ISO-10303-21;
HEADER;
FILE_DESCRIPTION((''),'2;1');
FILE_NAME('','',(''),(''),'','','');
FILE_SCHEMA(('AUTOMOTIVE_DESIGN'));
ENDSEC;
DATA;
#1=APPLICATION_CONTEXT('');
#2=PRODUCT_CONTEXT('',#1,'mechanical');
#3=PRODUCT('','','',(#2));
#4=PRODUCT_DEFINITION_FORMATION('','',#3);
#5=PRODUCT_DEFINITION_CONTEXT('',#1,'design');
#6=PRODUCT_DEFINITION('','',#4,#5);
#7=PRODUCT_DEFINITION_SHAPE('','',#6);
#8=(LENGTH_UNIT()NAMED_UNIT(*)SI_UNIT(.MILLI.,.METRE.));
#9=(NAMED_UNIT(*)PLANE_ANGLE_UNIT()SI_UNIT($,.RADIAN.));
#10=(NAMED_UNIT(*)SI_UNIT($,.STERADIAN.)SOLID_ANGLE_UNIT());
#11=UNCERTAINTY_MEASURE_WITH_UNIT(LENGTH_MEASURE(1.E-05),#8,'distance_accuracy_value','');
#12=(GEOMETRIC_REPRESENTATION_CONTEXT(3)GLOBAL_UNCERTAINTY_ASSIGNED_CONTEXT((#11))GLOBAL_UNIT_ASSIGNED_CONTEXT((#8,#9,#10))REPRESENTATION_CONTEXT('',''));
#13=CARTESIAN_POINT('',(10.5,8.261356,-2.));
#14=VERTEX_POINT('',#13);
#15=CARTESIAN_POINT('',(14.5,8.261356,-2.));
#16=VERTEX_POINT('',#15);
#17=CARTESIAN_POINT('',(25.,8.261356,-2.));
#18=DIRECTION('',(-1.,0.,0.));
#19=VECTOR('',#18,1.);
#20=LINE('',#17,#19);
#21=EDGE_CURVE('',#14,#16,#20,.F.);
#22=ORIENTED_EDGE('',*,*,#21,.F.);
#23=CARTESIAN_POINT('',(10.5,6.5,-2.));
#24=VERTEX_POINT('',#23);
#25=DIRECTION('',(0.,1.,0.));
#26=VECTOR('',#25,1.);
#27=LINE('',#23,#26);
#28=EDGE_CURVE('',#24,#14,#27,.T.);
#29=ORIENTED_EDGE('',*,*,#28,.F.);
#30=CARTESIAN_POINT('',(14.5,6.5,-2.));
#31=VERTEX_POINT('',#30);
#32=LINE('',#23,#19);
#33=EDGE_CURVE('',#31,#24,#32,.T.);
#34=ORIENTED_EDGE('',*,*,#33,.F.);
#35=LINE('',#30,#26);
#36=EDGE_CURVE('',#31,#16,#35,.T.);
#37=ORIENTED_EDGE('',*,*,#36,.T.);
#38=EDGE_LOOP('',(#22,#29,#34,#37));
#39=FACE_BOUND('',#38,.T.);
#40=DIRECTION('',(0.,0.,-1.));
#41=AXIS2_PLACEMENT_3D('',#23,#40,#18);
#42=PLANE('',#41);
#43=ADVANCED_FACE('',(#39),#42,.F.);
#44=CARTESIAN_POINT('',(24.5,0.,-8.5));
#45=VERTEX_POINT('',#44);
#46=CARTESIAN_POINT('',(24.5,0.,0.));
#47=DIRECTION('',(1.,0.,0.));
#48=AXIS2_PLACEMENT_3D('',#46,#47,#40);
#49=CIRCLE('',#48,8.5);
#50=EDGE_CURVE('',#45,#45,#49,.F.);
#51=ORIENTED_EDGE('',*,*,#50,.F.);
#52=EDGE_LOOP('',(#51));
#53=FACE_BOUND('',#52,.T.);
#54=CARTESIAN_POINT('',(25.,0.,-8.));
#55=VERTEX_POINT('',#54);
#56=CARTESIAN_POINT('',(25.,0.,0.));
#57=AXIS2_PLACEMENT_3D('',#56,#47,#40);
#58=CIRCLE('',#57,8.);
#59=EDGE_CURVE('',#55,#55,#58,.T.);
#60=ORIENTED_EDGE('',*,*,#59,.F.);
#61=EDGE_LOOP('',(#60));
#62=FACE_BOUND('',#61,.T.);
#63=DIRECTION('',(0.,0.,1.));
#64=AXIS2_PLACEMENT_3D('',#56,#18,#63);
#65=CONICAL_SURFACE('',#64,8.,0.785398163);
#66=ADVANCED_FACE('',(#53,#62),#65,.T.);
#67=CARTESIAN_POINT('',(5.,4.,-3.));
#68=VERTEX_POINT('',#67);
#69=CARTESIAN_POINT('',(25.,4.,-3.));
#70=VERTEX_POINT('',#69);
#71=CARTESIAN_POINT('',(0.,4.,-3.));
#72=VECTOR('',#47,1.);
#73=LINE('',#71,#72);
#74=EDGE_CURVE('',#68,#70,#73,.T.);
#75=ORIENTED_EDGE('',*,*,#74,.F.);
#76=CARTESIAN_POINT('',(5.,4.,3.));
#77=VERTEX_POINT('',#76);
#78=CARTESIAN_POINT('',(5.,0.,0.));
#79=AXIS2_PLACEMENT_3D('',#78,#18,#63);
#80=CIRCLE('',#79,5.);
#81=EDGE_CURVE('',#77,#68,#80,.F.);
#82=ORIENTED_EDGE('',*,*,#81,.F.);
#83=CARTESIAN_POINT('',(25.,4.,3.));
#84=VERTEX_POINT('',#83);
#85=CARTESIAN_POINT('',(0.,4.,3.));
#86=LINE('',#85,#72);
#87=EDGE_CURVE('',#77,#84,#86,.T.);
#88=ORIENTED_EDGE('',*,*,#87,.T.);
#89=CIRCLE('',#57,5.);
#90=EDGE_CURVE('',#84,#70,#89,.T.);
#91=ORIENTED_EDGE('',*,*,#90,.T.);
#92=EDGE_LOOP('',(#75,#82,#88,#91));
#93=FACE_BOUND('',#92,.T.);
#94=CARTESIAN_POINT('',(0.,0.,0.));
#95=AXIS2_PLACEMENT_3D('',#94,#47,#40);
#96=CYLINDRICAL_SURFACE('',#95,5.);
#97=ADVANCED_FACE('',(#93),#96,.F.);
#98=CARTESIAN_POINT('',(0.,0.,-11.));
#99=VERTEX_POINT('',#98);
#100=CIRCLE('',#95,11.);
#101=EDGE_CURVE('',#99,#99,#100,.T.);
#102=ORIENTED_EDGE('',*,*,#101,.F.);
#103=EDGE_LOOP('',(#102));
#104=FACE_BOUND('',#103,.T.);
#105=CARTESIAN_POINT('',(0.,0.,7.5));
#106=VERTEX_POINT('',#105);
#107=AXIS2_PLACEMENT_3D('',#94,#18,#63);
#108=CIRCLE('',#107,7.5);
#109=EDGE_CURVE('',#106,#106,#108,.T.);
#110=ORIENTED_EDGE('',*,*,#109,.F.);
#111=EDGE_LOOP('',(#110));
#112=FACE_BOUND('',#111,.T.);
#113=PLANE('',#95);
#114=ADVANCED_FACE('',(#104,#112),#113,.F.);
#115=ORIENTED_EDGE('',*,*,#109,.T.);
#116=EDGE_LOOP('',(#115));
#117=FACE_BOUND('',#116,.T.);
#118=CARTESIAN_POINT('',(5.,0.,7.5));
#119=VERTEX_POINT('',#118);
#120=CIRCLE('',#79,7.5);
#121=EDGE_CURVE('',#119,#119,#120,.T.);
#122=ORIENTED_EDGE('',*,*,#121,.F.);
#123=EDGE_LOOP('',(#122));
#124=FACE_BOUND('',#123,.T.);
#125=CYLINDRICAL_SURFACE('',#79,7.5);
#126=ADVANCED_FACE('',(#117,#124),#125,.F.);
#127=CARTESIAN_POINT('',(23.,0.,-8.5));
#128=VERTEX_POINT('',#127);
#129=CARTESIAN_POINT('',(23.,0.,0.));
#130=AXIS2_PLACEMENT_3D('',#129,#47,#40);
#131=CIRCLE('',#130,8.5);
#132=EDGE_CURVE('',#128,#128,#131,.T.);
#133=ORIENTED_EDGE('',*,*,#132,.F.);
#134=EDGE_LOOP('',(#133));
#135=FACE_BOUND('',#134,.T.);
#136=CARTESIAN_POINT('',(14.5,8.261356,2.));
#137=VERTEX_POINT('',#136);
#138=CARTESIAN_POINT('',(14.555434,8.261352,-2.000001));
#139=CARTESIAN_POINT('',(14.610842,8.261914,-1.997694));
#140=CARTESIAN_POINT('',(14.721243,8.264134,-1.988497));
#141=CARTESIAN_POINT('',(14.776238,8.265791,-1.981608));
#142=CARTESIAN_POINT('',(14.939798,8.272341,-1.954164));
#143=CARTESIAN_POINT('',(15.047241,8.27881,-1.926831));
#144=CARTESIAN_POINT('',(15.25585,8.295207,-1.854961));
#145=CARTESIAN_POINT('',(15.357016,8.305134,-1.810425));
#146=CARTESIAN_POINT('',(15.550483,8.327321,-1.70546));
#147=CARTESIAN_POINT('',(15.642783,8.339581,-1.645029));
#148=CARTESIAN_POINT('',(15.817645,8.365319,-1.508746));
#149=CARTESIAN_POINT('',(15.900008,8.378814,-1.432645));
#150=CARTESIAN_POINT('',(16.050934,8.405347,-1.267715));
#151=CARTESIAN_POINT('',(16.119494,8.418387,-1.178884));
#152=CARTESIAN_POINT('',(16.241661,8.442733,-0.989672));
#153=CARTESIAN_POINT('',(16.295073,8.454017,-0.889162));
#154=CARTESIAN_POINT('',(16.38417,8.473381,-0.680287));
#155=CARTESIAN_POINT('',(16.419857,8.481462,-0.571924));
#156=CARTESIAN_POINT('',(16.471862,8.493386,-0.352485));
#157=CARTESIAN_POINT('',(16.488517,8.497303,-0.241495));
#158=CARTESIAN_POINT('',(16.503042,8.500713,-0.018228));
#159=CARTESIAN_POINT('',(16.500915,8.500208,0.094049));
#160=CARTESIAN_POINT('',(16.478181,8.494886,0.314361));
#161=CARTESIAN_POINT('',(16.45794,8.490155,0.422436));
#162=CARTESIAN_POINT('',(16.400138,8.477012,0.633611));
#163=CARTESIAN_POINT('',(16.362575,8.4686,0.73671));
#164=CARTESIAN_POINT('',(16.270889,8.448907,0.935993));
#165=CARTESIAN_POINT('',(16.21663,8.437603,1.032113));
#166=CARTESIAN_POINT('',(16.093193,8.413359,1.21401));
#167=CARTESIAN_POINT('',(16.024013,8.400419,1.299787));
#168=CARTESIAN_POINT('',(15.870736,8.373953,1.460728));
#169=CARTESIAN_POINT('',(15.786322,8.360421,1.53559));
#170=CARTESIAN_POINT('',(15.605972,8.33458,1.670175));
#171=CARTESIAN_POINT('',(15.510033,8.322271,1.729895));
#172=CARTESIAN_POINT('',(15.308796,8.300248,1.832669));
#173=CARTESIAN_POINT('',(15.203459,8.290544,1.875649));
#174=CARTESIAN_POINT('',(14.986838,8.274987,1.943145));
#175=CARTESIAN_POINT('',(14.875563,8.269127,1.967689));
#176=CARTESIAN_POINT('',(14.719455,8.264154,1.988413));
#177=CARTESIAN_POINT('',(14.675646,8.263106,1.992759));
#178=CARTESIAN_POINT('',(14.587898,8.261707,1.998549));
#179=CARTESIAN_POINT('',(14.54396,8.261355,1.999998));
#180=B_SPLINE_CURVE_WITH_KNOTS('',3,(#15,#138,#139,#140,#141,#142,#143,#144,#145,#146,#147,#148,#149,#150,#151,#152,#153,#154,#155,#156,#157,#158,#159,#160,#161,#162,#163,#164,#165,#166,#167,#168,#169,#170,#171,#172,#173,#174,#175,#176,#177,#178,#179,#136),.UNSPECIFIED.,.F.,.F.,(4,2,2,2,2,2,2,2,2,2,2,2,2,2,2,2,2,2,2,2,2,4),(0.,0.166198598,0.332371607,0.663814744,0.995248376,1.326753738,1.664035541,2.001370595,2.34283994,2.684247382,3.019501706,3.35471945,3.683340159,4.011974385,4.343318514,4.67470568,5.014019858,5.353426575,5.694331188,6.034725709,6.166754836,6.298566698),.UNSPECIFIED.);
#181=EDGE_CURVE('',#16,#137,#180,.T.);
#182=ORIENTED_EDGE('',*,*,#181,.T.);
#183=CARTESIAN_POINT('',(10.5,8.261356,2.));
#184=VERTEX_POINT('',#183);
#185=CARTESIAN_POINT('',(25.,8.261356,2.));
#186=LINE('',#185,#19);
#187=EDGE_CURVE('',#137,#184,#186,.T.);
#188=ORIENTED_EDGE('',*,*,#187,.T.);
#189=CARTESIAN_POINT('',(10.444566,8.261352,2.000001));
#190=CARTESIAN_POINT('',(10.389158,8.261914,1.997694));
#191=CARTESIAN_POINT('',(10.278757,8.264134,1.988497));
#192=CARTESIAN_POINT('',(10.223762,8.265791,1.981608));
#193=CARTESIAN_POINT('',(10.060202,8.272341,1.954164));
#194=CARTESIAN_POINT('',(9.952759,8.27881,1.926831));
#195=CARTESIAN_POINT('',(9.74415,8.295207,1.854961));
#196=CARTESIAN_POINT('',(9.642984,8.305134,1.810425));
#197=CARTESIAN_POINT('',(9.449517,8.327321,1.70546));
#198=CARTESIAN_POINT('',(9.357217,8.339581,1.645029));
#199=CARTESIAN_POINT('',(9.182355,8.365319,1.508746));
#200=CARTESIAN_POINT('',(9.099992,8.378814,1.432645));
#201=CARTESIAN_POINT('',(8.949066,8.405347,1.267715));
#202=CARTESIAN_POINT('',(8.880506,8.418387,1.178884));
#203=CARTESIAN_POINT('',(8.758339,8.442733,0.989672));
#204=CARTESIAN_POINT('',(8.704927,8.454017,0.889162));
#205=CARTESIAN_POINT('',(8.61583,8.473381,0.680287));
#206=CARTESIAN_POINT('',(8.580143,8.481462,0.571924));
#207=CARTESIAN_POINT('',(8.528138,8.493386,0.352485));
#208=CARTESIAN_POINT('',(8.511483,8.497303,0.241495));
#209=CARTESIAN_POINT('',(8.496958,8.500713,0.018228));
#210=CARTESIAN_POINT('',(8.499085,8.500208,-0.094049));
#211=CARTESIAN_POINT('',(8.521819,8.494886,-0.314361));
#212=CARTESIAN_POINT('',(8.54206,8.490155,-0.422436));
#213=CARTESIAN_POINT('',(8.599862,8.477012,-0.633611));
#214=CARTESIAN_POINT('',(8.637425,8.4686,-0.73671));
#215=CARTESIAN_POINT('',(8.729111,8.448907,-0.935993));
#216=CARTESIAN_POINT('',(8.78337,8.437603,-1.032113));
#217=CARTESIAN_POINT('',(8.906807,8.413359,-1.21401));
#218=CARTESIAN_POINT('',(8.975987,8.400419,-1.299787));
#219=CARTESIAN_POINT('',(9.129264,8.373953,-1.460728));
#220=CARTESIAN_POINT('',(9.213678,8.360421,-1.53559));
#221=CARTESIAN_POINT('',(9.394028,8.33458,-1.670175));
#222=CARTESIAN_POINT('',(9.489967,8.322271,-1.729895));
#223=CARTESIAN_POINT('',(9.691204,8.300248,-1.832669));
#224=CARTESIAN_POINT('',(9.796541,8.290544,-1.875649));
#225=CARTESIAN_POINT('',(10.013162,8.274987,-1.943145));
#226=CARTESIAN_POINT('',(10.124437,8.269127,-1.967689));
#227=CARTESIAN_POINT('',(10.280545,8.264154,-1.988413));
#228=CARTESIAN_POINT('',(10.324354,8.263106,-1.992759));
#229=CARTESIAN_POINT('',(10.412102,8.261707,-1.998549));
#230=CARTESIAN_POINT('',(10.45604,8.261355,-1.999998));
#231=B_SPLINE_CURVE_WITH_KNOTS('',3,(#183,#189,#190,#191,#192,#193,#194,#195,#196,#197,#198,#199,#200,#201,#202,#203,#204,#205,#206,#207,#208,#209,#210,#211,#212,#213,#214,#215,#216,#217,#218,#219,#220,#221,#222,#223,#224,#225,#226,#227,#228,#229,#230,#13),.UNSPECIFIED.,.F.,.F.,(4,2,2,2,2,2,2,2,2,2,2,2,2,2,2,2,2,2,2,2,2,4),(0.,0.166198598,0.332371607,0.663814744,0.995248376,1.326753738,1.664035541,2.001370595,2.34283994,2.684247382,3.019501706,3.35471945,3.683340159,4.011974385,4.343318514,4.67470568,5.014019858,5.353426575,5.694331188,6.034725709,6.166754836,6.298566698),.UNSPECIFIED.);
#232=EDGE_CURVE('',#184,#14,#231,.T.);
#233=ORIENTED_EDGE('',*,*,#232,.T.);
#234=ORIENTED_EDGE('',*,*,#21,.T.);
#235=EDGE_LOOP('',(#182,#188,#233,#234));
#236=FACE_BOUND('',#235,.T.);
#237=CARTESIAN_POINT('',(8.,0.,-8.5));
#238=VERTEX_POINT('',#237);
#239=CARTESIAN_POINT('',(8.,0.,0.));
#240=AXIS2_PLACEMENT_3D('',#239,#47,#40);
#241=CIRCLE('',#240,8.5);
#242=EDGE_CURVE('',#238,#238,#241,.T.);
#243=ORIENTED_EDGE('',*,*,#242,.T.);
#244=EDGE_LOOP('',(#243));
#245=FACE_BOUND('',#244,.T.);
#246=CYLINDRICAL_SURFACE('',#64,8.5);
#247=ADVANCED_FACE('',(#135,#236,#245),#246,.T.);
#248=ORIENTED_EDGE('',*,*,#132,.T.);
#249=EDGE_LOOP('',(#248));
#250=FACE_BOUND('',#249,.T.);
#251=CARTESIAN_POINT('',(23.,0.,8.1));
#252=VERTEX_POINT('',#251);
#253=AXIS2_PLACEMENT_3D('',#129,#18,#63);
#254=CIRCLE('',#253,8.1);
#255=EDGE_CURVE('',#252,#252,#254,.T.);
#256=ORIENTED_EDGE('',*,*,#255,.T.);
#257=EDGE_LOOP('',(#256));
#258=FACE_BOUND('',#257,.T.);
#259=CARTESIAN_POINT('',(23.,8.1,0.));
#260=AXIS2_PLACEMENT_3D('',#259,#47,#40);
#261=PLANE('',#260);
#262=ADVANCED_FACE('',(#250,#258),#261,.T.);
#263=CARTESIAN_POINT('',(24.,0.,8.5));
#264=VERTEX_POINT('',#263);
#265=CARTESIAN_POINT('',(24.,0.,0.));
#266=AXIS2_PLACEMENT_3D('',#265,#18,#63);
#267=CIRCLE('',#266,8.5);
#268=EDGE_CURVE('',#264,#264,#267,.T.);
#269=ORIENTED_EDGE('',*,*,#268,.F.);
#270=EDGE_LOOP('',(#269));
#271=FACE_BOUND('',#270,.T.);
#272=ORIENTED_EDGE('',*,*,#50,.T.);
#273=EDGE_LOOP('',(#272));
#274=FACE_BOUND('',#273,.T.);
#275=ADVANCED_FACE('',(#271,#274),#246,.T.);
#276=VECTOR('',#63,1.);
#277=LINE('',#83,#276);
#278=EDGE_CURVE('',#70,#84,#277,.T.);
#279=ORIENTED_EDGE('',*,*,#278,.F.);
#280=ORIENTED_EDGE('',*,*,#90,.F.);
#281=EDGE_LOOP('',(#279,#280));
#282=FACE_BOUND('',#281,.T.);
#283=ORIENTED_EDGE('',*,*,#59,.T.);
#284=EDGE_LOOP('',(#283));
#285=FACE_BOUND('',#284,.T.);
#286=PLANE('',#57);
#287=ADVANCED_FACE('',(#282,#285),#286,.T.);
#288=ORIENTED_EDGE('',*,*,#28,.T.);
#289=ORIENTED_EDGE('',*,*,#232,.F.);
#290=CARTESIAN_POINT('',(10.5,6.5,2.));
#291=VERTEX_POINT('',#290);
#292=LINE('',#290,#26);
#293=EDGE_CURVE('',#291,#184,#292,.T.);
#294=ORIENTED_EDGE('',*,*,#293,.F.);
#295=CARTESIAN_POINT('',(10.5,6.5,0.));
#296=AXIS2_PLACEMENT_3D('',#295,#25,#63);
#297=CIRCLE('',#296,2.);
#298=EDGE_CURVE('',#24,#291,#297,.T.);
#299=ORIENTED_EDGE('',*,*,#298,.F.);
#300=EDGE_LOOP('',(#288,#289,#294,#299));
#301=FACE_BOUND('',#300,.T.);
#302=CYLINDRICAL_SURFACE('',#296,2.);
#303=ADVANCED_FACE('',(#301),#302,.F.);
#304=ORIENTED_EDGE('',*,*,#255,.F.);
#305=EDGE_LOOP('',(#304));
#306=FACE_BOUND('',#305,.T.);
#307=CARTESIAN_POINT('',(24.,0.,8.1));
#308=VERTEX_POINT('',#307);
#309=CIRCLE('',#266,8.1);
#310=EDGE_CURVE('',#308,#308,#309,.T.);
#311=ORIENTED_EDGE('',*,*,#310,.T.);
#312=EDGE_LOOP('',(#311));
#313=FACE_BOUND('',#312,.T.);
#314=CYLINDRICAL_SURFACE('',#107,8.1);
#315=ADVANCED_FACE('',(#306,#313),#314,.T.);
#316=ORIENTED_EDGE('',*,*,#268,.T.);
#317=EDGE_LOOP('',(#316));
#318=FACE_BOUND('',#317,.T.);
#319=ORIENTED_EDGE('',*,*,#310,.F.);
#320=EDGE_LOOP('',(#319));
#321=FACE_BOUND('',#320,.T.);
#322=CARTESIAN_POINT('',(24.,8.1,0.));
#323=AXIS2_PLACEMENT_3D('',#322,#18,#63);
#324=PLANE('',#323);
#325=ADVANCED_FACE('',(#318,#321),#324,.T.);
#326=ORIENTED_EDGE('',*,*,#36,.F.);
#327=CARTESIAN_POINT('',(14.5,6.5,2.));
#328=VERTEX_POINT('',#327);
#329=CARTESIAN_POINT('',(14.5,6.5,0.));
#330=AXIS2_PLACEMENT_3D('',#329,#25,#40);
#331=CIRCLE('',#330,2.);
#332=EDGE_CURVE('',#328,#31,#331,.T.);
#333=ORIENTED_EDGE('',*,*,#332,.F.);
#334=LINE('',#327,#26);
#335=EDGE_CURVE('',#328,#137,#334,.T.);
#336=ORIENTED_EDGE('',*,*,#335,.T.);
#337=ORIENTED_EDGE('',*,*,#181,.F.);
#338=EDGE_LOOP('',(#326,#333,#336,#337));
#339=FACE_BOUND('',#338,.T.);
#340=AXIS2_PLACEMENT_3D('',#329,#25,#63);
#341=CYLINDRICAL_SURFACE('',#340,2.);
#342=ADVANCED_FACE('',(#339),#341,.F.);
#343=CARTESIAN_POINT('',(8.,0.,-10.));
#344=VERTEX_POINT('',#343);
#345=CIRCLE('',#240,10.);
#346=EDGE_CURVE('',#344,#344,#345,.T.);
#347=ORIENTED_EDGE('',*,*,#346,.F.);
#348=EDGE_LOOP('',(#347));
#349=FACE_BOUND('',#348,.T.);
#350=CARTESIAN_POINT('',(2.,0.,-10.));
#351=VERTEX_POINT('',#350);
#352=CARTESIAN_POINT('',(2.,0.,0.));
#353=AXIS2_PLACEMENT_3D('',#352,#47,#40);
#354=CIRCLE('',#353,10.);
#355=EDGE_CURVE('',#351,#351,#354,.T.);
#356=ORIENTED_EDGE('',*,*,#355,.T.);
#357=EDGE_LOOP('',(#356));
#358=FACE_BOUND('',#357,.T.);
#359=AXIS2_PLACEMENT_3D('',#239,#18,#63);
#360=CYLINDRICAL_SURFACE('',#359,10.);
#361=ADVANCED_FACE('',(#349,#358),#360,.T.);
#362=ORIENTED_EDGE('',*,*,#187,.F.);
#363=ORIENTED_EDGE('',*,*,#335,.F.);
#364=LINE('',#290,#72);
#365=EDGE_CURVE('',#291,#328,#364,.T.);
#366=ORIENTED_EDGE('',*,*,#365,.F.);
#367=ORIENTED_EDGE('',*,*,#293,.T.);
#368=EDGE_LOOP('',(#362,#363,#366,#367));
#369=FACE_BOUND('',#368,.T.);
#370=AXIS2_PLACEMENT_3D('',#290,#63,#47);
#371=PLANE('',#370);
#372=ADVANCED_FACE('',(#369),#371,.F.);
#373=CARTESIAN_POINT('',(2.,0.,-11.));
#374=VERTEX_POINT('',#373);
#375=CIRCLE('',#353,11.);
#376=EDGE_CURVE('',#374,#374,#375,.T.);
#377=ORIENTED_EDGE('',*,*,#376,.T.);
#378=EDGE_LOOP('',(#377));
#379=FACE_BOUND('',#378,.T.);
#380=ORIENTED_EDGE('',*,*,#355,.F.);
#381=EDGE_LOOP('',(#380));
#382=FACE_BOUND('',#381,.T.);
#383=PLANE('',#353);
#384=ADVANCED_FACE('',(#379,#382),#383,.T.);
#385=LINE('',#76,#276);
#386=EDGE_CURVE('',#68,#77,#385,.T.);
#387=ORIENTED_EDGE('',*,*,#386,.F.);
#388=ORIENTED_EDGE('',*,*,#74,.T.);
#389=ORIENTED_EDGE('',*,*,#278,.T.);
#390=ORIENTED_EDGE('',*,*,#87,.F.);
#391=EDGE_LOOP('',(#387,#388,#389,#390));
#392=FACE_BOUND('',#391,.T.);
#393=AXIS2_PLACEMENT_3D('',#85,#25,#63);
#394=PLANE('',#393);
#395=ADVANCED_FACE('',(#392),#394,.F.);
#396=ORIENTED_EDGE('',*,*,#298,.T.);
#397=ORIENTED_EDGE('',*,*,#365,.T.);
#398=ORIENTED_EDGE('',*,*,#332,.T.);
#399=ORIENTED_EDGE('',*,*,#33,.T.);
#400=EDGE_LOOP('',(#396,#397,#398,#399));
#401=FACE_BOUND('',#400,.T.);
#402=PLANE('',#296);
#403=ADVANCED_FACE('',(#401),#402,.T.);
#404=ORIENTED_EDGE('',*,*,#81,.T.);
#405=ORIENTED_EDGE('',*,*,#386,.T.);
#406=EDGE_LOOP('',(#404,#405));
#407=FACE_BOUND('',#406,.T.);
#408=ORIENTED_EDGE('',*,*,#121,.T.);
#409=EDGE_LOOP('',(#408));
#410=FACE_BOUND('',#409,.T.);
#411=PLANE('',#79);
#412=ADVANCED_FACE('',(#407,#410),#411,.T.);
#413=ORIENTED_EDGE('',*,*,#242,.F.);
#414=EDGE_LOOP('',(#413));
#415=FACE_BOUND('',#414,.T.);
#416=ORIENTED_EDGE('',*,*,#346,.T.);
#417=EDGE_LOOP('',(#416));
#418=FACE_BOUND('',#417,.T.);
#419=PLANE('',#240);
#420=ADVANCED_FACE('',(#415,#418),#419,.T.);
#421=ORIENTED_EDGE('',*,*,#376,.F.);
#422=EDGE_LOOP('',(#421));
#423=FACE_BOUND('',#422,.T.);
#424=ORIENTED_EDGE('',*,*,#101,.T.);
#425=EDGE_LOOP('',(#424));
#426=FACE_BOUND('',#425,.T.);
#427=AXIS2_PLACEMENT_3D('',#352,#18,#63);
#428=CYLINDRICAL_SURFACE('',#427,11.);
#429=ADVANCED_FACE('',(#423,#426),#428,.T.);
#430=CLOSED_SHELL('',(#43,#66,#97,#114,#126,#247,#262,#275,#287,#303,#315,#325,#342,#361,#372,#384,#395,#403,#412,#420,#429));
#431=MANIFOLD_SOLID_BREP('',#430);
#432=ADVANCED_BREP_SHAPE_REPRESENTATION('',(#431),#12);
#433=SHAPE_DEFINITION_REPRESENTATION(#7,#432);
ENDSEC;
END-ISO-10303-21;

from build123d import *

# Parameters (mm, degrees)
SKETCH_1_R          = 11
EXTRUDE_1_DEPTH     = 2
SKETCH_2_R          = 10
EXTRUDE_2_DEPTH     = 6
SKETCH_3_R          = 8.5
EXTRUDE_3_DEPTH     = 17
CUT_EXTRUDE_1_DEPTH = 2
CUT_EXTRUDE_2_DEPTH = 30.444863729
SKETCH_6_W          = 1
SKETCH_6_H          = 0.8
CHAMFER_1_SIZE      = 0.5
SKETCH_8_R          = 7.5
CUT_EXTRUDE_4_DEPTH = 5


with BuildPart() as part:
    # 草图1 → 凸台-拉伸1 (new body)
    with BuildSketch(Plane(origin=(0, 0, 0), x_dir=(0, 0, -1), z_dir=(1, 0, 0))):
        Circle(SKETCH_1_R)
    extrude(amount=EXTRUDE_1_DEPTH)

    # 草图2 → 凸台-拉伸2 (add)
    with BuildSketch(Plane(origin=(2, 0, 0), x_dir=(0, 0, -1), z_dir=(1, 0, 0))):
        Circle(SKETCH_2_R)
    extrude(amount=EXTRUDE_2_DEPTH)

    # 草图3 → 凸台-拉伸3 (add)
    with BuildSketch(Plane(origin=(8, 0, 0), x_dir=(0, 0, -1), z_dir=(1, 0, 0))):
        Circle(SKETCH_3_R)
    extrude(amount=EXTRUDE_3_DEPTH)

    # 草图4 → 切除-拉伸1 (cut)
    with BuildSketch(Plane(origin=(0, 8.5, 0), x_dir=(1, 0, 0), z_dir=(0, 1, 0))):
        with BuildLine():
            Line((10.5, 2), (14.5, 2))
            ThreePointArc((14.5, 2), (16.5, 0), (14.5, -2))
            Line((14.5, -2), (10.5, -2))
            ThreePointArc((10.5, -2), (8.5, 0), (10.5, 2))
        make_face()
    extrude(amount=-CUT_EXTRUDE_1_DEPTH, mode=Mode.SUBTRACT)

    # 草图5 → 切除-拉伸2 (cut, through all)
    with BuildSketch(Plane(origin=(25, 0, 0), x_dir=(0, 0, -1), z_dir=(1, 0, 0))):
        with BuildLine():
            Line((-3, 4), (3, 4))
            ThreePointArc((3, 4), (0, -5), (-3, 4))
        make_face()
    extrude(amount=-CUT_EXTRUDE_2_DEPTH, mode=Mode.SUBTRACT)

    # 草图6 → 切除-旋转1 (revolve, cut)
    with BuildSketch(Plane.XY):
        with Locations((23.5, 8.5)):
            Rectangle(SKETCH_6_W, SKETCH_6_H)
    revolve(axis=Axis((0, 0, 0), (1, 0, 0)), mode=Mode.SUBTRACT)

    # 倒角1
    chamfer_1_edges = [part.edges().sort_by_distance(p)[0] for p in [
        (25, 0, 8.5),
    ]]
    chamfer(chamfer_1_edges, length=CHAMFER_1_SIZE)

    # 草图8 → 切除-拉伸4 (cut)
    with BuildSketch(Plane.ZY):
        Circle(SKETCH_8_R)
    extrude(amount=-CUT_EXTRUDE_4_DEPTH, mode=Mode.SUBTRACT)


solid = part.part
